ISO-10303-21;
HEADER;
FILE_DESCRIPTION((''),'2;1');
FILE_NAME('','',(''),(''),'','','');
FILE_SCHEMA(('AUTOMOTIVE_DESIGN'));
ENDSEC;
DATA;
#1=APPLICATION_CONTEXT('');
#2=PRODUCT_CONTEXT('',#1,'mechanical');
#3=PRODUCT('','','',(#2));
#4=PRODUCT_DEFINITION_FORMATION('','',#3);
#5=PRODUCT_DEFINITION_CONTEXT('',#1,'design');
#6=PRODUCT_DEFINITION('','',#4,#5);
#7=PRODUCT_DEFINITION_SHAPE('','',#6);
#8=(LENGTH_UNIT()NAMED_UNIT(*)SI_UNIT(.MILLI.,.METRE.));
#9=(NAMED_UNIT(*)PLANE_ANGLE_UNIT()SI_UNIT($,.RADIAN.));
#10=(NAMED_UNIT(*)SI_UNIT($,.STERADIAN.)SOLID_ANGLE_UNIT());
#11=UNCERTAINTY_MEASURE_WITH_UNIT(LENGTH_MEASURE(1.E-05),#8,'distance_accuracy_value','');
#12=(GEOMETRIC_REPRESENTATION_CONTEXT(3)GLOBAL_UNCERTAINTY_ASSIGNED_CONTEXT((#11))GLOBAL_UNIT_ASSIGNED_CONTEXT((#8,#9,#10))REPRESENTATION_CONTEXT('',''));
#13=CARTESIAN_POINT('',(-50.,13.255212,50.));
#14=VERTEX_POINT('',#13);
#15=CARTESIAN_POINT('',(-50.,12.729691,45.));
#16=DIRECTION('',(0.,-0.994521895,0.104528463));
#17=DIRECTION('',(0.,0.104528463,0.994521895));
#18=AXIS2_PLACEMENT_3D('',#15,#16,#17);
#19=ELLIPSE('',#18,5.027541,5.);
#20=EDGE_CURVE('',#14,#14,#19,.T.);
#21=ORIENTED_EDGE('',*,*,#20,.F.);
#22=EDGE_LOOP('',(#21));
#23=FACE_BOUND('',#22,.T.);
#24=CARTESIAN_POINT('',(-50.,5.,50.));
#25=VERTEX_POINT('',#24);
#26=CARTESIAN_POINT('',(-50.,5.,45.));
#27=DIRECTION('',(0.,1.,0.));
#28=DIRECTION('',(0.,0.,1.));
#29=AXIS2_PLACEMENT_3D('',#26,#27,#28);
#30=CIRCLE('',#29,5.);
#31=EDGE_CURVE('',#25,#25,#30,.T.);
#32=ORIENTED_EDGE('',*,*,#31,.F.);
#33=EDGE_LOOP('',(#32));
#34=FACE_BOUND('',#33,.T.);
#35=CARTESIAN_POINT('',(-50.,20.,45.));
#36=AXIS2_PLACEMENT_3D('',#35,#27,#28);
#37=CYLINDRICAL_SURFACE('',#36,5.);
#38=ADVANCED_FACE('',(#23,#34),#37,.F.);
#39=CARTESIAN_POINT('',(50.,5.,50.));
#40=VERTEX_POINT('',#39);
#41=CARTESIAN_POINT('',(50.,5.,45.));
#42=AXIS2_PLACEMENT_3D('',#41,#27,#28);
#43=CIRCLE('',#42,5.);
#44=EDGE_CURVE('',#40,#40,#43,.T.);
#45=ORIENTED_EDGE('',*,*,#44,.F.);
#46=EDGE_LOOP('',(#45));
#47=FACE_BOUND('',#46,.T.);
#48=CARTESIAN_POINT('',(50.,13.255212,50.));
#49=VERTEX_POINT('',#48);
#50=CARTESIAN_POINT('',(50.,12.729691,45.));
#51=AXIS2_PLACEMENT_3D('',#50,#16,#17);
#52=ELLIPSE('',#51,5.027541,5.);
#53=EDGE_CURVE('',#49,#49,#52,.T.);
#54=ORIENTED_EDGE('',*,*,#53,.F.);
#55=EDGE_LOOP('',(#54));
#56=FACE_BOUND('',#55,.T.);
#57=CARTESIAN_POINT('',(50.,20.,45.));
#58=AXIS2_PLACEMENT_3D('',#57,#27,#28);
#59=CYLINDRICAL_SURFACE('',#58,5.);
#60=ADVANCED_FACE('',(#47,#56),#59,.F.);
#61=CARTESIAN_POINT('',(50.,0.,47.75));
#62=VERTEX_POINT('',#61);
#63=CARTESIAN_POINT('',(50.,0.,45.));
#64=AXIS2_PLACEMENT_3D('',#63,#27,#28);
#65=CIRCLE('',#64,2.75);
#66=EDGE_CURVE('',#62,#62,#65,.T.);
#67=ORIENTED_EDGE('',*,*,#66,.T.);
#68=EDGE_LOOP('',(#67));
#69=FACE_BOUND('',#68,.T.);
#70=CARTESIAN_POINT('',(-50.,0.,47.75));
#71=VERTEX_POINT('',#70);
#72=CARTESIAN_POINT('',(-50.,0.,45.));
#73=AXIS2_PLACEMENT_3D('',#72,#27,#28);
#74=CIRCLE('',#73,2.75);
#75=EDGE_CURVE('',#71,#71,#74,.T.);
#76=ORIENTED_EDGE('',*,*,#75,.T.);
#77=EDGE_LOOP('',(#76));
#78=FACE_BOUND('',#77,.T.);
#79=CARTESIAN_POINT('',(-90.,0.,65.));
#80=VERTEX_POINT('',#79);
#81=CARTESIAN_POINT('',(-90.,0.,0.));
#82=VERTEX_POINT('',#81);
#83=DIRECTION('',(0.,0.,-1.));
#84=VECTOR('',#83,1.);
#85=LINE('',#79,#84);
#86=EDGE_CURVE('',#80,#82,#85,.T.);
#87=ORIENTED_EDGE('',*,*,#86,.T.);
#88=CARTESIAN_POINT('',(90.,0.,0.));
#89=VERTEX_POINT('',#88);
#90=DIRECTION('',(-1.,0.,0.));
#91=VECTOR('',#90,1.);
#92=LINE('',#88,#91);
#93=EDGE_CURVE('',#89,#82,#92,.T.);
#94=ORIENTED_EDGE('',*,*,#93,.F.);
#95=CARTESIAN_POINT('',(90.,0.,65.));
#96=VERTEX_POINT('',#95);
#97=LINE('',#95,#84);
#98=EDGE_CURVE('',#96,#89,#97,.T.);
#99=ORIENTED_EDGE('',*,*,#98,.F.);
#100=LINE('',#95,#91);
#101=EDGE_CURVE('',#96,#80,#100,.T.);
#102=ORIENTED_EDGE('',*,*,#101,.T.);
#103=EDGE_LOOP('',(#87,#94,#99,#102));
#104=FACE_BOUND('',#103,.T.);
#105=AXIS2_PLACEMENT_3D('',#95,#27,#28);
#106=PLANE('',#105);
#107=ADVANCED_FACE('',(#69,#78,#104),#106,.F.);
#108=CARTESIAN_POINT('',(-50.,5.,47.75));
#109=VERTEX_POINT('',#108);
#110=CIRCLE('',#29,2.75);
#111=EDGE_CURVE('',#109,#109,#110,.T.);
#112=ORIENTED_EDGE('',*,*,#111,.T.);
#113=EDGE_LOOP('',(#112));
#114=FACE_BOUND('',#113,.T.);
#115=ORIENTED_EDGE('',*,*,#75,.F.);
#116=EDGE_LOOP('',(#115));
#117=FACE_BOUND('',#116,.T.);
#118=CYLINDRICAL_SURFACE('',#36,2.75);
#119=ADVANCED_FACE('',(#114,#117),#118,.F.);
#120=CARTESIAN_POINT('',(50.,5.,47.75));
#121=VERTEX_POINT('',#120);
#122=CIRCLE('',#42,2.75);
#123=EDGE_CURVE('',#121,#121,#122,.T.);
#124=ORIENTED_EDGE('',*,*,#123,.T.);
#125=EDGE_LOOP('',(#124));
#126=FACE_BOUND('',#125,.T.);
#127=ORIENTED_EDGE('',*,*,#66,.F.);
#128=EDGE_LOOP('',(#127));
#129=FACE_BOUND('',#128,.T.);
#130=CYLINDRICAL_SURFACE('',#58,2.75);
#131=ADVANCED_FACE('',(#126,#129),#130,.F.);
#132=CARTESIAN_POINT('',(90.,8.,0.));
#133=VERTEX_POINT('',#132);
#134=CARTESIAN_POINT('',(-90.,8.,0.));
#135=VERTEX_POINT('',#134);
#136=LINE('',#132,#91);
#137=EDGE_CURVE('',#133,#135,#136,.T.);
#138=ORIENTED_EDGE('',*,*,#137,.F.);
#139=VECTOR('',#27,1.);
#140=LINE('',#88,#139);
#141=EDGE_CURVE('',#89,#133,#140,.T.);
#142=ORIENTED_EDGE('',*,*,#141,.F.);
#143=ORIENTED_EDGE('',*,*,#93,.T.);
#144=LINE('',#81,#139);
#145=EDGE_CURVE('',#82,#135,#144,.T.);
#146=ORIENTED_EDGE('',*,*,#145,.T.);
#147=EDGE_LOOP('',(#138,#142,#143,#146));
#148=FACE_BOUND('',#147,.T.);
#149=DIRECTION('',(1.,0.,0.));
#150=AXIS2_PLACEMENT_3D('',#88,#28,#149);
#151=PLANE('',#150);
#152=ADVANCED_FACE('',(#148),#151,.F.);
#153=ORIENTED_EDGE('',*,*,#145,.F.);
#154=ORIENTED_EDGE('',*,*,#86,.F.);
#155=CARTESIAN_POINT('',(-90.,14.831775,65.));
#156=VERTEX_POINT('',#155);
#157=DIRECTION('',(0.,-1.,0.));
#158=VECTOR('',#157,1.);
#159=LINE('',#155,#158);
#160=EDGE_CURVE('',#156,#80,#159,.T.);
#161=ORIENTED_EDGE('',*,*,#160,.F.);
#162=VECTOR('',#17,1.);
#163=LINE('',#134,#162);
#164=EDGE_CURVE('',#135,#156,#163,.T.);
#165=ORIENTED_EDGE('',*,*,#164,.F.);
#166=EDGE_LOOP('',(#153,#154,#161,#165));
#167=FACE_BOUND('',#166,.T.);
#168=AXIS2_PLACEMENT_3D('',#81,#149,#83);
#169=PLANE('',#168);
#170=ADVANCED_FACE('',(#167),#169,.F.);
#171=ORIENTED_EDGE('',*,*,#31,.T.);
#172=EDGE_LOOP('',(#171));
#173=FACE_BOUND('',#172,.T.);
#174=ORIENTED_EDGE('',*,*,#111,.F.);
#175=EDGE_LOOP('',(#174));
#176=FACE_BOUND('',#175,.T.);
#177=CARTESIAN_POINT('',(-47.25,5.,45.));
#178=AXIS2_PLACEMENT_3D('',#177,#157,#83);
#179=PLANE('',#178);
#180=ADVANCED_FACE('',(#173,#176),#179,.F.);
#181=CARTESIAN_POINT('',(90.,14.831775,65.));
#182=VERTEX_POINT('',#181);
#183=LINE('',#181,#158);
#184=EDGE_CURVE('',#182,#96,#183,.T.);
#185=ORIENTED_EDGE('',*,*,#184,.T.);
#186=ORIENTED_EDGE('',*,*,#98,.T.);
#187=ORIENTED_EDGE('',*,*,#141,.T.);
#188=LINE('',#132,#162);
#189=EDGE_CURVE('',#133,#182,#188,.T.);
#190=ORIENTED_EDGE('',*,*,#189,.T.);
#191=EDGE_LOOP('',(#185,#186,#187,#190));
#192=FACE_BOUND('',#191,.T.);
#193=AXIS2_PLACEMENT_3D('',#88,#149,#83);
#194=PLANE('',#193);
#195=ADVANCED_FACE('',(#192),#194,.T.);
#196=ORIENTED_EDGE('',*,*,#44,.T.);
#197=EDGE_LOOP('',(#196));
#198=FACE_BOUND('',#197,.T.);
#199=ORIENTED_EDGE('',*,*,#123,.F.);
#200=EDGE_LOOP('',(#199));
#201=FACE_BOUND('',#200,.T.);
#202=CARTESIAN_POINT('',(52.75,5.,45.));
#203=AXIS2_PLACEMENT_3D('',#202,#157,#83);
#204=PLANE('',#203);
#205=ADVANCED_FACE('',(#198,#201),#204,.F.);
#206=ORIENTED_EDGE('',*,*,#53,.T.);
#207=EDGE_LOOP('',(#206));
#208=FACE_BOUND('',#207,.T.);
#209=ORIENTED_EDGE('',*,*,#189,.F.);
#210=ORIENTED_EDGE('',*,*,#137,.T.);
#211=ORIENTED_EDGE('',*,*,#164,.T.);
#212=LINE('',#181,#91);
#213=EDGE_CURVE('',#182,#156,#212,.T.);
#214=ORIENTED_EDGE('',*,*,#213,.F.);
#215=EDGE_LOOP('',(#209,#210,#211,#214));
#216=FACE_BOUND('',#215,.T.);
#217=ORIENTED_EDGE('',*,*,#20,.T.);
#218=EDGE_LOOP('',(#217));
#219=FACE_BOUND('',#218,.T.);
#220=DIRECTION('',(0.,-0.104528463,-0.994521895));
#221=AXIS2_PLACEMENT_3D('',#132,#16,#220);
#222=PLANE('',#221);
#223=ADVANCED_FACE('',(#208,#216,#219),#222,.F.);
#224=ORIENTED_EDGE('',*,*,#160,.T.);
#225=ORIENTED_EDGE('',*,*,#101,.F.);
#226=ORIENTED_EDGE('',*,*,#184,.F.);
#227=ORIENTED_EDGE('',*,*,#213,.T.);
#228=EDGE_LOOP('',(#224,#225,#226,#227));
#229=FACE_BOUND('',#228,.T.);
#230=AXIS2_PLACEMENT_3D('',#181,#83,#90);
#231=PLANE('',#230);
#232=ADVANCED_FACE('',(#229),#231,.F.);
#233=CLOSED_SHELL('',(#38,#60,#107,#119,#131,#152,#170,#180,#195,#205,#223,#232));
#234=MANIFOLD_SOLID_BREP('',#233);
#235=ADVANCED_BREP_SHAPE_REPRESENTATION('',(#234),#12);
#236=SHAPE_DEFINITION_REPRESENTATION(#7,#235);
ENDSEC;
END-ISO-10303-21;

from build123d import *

# Parameters (mm, degrees)
BOSS_EXTRUDE1_DEPTH            = 90
CBORE_FOR_M5_SHCS1_D           = 5.5
CBORE_FOR_M5_SHCS1_CBORE_D     = 10
CBORE_FOR_M5_SHCS1_CBORE_DEPTH = 15


with BuildPart() as part:
    # Sketch2 → Boss-Extrude1 (new, symmetric)
    with BuildSketch(Plane(origin=(0, 0, 0), x_dir=(0, 0, -1), z_dir=(1, 0, 0))):
        Polygon((0, 0), (0, 8), (-65, 14.831775292), (-65, 0), align=None)
    extrude(amount=BOSS_EXTRUDE1_DEPTH, both=True)

    # CBORE for M5 SHCS1 (through all)
    with Locations(Plane(origin=(0, 20, -0.836227706), x_dir=(1, 0, 0), z_dir=(0, 1, 0))):
        with Locations((-50, -45.836227706), (50, -45.836227706)):
            CounterBoreHole(CBORE_FOR_M5_SHCS1_D / 2, CBORE_FOR_M5_SHCS1_CBORE_D / 2, CBORE_FOR_M5_SHCS1_CBORE_DEPTH)


solid = part.part
